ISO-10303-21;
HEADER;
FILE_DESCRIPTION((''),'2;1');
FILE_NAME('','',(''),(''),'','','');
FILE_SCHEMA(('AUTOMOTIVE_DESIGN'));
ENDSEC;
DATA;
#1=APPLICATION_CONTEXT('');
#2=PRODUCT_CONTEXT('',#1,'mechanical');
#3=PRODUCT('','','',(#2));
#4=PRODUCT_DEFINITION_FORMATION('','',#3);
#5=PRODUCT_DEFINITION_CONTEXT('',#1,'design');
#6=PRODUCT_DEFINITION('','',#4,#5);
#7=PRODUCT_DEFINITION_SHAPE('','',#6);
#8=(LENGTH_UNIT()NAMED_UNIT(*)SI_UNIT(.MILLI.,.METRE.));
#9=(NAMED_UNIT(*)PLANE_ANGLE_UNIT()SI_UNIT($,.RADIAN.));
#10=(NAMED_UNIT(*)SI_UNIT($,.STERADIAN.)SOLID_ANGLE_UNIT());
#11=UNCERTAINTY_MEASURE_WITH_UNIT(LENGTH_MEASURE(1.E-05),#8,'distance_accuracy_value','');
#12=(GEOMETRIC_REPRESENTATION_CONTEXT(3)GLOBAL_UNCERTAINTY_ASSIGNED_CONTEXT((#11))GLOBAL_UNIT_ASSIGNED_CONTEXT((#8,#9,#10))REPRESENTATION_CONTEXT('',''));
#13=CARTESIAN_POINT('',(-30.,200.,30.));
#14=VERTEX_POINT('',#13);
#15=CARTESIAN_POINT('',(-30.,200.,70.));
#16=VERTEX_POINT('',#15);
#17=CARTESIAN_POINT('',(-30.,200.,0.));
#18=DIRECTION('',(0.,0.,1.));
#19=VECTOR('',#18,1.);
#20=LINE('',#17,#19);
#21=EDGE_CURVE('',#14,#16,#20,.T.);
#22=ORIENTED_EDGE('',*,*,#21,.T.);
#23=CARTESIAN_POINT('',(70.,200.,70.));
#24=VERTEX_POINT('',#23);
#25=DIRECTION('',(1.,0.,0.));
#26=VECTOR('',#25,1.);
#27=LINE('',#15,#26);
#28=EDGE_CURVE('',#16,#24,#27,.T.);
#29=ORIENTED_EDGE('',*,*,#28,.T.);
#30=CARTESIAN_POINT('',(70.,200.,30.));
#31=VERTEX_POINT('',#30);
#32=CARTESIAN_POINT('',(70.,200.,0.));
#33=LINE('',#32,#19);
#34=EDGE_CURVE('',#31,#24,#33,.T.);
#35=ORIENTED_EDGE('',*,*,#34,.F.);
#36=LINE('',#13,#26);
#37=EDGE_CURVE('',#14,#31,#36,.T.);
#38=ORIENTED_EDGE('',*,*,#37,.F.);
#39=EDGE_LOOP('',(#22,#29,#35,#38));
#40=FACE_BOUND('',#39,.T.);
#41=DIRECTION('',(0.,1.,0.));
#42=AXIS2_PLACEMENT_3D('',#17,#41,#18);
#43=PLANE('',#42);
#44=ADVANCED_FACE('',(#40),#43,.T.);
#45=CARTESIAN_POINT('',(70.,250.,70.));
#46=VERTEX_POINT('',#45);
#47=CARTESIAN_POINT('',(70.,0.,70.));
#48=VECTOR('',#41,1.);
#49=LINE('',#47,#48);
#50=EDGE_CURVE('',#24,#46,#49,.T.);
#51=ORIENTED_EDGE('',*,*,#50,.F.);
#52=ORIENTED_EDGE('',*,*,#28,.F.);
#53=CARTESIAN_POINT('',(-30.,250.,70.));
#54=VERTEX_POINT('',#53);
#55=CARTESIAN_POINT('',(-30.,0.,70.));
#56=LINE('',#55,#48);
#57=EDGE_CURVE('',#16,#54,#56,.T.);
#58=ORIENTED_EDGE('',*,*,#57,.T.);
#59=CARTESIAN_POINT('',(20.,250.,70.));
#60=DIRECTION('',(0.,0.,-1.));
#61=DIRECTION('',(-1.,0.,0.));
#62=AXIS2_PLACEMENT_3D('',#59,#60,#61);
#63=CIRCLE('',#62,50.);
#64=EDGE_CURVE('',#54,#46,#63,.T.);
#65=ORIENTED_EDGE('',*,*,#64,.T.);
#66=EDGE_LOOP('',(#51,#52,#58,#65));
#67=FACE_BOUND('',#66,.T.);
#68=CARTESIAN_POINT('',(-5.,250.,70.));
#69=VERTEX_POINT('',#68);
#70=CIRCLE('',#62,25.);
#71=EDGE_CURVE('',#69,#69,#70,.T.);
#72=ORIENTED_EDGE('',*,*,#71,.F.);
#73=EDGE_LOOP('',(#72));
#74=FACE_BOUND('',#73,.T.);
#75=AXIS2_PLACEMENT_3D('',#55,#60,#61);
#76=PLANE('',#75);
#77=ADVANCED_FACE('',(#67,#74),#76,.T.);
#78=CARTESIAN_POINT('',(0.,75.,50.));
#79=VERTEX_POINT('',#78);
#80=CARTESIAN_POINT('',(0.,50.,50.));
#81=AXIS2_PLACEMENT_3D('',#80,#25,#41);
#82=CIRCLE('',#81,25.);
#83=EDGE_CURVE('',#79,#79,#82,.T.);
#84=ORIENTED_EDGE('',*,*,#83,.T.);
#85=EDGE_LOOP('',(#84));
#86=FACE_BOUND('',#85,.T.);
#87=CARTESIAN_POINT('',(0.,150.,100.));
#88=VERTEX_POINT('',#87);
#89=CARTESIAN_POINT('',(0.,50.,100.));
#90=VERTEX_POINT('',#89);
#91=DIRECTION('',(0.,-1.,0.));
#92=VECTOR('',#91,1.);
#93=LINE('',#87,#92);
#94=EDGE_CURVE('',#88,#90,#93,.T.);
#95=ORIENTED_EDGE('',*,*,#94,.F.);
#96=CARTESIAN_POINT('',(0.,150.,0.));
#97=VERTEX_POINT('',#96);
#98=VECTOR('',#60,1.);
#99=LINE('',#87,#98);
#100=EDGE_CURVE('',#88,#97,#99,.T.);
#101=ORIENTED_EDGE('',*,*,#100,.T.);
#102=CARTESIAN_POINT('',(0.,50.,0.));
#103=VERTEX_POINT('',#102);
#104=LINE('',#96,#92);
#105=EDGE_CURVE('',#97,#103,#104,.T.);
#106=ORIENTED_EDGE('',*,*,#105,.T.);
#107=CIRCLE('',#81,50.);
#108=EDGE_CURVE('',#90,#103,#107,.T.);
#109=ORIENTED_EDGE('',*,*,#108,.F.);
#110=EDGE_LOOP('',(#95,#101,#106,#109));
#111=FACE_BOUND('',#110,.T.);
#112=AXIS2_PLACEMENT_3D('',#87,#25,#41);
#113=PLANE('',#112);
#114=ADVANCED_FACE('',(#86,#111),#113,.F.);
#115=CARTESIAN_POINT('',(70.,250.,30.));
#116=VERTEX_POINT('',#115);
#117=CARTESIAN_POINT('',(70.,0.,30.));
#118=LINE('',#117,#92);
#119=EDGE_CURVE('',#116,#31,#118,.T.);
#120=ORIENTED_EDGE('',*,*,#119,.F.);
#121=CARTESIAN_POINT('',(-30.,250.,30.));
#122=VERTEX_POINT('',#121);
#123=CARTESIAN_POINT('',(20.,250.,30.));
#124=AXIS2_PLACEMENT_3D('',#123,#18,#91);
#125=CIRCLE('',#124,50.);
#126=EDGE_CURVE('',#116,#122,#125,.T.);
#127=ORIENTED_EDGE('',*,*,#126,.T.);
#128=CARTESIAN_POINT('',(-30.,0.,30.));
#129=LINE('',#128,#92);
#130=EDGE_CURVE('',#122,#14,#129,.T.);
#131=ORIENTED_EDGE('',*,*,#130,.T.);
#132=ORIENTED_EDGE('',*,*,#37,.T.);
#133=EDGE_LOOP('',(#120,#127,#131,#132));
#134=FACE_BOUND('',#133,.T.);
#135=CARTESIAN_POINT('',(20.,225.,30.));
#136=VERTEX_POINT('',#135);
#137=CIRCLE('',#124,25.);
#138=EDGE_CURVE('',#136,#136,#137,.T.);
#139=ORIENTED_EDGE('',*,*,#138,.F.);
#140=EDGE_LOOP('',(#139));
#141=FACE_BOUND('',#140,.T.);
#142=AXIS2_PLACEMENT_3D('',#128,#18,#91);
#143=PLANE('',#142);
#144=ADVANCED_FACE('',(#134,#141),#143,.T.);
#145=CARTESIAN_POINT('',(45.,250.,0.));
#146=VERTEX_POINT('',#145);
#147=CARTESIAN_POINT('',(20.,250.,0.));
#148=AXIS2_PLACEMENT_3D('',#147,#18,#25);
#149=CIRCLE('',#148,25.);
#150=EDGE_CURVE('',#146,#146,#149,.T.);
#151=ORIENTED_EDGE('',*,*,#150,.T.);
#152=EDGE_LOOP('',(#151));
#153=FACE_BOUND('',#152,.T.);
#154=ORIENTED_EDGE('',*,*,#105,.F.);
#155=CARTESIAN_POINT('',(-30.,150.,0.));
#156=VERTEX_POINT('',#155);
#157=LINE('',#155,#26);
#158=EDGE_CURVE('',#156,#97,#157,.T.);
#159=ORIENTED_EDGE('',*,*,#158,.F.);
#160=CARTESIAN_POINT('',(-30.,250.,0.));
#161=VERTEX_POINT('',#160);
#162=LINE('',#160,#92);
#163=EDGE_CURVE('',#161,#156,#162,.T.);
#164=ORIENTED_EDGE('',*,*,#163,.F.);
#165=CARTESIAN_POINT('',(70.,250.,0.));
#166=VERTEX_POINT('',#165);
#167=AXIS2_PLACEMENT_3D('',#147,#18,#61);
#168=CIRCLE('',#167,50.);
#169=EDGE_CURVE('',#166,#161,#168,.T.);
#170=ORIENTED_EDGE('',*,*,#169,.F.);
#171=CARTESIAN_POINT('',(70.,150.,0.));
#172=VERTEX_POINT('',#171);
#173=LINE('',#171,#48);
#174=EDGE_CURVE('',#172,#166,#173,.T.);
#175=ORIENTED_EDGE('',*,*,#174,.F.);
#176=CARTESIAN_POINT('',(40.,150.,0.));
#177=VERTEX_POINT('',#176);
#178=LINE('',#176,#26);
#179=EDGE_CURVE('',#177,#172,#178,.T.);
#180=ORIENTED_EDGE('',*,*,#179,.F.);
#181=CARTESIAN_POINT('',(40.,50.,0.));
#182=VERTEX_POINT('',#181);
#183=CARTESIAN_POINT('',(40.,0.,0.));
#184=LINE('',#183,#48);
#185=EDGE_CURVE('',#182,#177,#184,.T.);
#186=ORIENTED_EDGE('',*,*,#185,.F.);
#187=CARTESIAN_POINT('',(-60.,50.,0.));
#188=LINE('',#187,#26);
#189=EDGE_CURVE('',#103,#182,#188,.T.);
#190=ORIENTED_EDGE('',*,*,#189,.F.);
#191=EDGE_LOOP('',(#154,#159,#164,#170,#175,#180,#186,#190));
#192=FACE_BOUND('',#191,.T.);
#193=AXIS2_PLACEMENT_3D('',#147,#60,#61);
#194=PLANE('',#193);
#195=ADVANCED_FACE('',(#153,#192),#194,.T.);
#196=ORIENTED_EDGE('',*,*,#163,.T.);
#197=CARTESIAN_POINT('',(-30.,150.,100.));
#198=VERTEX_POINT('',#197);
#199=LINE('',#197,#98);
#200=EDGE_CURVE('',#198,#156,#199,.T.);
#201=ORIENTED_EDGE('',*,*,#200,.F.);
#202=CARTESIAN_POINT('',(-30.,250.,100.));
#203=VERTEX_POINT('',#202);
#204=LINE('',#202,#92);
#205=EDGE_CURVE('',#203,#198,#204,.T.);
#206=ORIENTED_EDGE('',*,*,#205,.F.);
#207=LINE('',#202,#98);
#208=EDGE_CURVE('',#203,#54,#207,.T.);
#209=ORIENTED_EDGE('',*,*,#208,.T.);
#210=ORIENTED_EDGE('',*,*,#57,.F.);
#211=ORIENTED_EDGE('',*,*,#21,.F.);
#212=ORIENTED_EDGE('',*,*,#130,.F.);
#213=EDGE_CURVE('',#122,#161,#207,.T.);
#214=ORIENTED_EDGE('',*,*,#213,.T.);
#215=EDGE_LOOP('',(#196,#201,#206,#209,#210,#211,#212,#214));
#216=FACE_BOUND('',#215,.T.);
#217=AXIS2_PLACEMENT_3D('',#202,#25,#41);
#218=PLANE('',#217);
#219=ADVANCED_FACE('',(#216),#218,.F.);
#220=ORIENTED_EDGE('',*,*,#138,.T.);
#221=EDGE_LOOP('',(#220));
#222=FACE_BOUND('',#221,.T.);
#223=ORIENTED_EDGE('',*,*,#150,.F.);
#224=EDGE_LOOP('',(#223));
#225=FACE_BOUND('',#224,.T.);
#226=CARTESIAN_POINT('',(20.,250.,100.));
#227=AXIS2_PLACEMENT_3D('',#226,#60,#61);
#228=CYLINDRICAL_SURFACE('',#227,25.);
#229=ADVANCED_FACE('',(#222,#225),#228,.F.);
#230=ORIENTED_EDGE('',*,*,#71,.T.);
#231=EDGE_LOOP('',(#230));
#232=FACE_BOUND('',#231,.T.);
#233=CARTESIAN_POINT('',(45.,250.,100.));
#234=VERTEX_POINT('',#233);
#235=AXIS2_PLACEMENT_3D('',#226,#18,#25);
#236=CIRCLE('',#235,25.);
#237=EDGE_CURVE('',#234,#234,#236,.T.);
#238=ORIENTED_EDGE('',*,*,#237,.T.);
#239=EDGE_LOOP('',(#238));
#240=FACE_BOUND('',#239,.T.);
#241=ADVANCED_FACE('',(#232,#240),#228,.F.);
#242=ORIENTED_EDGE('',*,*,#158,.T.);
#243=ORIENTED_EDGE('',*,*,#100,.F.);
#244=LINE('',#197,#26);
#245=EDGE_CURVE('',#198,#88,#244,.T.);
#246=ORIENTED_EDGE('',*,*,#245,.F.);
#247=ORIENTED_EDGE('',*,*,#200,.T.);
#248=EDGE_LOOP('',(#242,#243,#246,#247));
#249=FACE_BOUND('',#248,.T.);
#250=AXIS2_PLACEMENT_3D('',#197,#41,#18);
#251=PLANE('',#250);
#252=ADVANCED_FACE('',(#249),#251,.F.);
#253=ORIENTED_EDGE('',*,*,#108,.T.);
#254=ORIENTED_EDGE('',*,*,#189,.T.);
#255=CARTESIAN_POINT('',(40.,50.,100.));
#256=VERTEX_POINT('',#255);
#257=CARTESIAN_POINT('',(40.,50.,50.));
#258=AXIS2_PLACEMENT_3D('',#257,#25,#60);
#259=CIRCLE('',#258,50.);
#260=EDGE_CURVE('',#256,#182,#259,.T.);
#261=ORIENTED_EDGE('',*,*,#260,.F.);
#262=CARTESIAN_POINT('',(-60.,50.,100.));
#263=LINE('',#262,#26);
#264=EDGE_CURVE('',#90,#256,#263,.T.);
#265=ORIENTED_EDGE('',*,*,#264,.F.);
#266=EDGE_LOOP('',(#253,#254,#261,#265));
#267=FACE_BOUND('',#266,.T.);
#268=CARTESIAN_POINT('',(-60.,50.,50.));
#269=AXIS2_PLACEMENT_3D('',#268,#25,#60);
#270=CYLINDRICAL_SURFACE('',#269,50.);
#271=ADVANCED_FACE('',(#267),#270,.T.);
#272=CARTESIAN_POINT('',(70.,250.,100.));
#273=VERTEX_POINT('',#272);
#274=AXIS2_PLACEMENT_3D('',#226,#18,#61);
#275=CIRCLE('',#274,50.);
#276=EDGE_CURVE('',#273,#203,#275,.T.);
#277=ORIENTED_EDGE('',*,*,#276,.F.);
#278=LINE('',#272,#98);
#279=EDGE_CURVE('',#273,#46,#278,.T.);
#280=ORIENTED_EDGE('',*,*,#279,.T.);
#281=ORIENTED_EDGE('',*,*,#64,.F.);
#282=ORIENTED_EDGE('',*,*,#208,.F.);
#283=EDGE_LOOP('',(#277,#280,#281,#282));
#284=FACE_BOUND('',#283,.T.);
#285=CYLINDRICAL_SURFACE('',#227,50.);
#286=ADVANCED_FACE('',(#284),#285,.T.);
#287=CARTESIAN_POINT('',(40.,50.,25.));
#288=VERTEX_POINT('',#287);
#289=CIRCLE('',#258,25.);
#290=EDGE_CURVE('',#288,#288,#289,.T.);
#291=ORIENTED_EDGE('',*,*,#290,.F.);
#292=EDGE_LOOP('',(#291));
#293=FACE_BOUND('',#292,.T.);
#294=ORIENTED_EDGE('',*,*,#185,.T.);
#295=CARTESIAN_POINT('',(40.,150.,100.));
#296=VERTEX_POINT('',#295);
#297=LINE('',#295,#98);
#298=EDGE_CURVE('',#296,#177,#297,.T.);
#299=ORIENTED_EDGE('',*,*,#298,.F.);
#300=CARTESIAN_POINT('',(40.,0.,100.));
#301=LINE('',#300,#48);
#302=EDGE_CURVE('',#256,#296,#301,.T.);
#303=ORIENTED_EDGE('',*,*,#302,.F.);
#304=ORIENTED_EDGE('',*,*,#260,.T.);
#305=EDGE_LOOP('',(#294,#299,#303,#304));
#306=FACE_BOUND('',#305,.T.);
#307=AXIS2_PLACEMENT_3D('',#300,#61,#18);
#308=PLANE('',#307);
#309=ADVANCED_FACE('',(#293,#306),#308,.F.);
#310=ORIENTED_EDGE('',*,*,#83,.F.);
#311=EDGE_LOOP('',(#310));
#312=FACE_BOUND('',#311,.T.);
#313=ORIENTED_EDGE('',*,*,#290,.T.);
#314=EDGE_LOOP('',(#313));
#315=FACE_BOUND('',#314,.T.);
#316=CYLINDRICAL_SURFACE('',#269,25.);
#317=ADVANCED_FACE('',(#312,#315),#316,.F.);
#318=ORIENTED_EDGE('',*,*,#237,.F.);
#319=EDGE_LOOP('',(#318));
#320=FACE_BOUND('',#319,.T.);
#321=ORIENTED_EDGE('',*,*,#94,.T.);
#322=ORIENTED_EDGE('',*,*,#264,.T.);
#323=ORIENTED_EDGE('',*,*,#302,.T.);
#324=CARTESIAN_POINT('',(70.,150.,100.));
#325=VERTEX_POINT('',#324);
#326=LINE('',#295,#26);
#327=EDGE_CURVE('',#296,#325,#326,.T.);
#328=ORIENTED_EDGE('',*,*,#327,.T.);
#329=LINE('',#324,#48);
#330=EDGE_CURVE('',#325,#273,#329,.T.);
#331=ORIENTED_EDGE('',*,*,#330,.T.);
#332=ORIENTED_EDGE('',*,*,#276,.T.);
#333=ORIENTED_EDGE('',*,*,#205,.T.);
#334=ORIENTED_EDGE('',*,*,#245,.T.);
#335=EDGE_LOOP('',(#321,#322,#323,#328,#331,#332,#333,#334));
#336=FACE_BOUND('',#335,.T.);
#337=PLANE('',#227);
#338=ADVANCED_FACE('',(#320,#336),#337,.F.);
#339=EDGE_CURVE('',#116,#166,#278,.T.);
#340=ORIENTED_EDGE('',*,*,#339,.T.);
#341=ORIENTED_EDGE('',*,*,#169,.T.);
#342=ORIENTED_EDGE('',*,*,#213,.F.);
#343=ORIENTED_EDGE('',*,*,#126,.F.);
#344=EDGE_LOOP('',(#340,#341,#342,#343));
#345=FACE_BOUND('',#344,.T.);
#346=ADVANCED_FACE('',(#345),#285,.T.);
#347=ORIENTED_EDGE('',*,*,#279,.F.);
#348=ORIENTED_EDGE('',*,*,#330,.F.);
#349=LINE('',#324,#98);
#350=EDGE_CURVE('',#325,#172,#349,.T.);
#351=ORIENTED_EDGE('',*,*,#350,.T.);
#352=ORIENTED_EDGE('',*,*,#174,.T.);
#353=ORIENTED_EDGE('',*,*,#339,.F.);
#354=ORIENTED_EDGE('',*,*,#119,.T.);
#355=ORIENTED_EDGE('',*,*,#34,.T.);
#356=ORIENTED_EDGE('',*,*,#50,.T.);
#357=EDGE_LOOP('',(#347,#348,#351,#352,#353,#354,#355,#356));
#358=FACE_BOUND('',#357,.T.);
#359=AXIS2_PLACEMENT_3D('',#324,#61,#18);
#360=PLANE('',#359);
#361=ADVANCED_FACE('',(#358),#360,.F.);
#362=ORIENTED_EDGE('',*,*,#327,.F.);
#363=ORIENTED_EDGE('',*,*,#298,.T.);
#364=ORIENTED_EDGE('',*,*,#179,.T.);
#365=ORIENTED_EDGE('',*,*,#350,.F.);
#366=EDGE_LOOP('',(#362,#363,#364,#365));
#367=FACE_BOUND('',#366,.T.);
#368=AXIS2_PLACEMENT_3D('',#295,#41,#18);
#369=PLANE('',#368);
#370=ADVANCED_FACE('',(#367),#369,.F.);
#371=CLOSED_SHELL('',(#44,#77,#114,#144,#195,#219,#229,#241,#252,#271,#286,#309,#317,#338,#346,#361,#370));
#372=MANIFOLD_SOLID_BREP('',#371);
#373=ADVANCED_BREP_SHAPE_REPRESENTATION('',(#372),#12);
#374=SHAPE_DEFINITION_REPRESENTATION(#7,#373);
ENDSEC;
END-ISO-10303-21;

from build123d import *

# Parameters (mm, degrees)
CROQUIS2_R              = 25
SALIENTE_EXTRUIR1_DEPTH = 100
CORTAR_EXTRUIR1_DEPTH   = 100
CROQUIS4_R              = 25
CORTAR_EXTRUIR2_DEPTH   = 100
CROQUIS5_W              = 40
CROQUIS5_H              = 50
CORTAR_EXTRUIR3_DEPTH   = 101


with BuildPart() as part:
    # Croquis2 → Saliente-Extruir1 (new body)
    with BuildSketch(Plane.XY):
        with BuildLine():
            Line((0, 0), (40, 0))
            Line((40, 0), (40, 150))
            Line((40, 150), (70, 150))
            Line((70, 150), (70, 250))
            ThreePointArc((70, 250), (20, 300), (-30, 250))
            Line((-30, 250), (-30, 150))
            Line((-30, 150), (0, 150))
            Line((0, 150), (0, 0))
        make_face()
        with Locations((20, 250)):
            Circle(CROQUIS2_R, mode=Mode.SUBTRACT)
    extrude(amount=SALIENTE_EXTRUIR1_DEPTH)

    # Croquis3 → Cortar-Extruir1 (cut)
    with BuildSketch(Plane(origin=(40, 0, 0), x_dir=(0, 0, -1), z_dir=(1, 0, 0))):
        with BuildLine():
            ThreePointArc((-50, 0), (-85.355339059, 14.644660941), (-100, 50))
            Line((-100, 50), (-100, 0))
            Line((-100, 0), (-50, 0))
        make_face()
        with BuildLine():
            ThreePointArc((0, 50), (-14.644660941, 14.644660941), (-50, 0))
            Line((-50, 0), (0, 0))
            Line((0, 0), (0, 50))
        make_face()
    extrude(amount=-CORTAR_EXTRUIR1_DEPTH, mode=Mode.SUBTRACT)

    # Croquis4 → Cortar-Extruir2 (cut)
    with BuildSketch(Plane(origin=(40, 0, 0), x_dir=(0, 0, -1), z_dir=(1, 0, 0))):
        with Locations((-50, 50)):
            Circle(CROQUIS4_R)
    extrude(amount=-CORTAR_EXTRUIR2_DEPTH, mode=Mode.SUBTRACT)

    # Croquis5 → Cortar-Extruir3 (cut, through all)
    with BuildSketch(Plane(origin=(70, 0, 0), x_dir=(0, 0, -1), z_dir=(1, 0, 0))):
        with Locations((-50, 275)):
            Rectangle(CROQUIS5_W, CROQUIS5_H)
        with Locations((-50, 225)):
            Rectangle(CROQUIS5_W, CROQUIS5_H)
    extrude(amount=-CORTAR_EXTRUIR3_DEPTH, mode=Mode.SUBTRACT)


solid = part.part
